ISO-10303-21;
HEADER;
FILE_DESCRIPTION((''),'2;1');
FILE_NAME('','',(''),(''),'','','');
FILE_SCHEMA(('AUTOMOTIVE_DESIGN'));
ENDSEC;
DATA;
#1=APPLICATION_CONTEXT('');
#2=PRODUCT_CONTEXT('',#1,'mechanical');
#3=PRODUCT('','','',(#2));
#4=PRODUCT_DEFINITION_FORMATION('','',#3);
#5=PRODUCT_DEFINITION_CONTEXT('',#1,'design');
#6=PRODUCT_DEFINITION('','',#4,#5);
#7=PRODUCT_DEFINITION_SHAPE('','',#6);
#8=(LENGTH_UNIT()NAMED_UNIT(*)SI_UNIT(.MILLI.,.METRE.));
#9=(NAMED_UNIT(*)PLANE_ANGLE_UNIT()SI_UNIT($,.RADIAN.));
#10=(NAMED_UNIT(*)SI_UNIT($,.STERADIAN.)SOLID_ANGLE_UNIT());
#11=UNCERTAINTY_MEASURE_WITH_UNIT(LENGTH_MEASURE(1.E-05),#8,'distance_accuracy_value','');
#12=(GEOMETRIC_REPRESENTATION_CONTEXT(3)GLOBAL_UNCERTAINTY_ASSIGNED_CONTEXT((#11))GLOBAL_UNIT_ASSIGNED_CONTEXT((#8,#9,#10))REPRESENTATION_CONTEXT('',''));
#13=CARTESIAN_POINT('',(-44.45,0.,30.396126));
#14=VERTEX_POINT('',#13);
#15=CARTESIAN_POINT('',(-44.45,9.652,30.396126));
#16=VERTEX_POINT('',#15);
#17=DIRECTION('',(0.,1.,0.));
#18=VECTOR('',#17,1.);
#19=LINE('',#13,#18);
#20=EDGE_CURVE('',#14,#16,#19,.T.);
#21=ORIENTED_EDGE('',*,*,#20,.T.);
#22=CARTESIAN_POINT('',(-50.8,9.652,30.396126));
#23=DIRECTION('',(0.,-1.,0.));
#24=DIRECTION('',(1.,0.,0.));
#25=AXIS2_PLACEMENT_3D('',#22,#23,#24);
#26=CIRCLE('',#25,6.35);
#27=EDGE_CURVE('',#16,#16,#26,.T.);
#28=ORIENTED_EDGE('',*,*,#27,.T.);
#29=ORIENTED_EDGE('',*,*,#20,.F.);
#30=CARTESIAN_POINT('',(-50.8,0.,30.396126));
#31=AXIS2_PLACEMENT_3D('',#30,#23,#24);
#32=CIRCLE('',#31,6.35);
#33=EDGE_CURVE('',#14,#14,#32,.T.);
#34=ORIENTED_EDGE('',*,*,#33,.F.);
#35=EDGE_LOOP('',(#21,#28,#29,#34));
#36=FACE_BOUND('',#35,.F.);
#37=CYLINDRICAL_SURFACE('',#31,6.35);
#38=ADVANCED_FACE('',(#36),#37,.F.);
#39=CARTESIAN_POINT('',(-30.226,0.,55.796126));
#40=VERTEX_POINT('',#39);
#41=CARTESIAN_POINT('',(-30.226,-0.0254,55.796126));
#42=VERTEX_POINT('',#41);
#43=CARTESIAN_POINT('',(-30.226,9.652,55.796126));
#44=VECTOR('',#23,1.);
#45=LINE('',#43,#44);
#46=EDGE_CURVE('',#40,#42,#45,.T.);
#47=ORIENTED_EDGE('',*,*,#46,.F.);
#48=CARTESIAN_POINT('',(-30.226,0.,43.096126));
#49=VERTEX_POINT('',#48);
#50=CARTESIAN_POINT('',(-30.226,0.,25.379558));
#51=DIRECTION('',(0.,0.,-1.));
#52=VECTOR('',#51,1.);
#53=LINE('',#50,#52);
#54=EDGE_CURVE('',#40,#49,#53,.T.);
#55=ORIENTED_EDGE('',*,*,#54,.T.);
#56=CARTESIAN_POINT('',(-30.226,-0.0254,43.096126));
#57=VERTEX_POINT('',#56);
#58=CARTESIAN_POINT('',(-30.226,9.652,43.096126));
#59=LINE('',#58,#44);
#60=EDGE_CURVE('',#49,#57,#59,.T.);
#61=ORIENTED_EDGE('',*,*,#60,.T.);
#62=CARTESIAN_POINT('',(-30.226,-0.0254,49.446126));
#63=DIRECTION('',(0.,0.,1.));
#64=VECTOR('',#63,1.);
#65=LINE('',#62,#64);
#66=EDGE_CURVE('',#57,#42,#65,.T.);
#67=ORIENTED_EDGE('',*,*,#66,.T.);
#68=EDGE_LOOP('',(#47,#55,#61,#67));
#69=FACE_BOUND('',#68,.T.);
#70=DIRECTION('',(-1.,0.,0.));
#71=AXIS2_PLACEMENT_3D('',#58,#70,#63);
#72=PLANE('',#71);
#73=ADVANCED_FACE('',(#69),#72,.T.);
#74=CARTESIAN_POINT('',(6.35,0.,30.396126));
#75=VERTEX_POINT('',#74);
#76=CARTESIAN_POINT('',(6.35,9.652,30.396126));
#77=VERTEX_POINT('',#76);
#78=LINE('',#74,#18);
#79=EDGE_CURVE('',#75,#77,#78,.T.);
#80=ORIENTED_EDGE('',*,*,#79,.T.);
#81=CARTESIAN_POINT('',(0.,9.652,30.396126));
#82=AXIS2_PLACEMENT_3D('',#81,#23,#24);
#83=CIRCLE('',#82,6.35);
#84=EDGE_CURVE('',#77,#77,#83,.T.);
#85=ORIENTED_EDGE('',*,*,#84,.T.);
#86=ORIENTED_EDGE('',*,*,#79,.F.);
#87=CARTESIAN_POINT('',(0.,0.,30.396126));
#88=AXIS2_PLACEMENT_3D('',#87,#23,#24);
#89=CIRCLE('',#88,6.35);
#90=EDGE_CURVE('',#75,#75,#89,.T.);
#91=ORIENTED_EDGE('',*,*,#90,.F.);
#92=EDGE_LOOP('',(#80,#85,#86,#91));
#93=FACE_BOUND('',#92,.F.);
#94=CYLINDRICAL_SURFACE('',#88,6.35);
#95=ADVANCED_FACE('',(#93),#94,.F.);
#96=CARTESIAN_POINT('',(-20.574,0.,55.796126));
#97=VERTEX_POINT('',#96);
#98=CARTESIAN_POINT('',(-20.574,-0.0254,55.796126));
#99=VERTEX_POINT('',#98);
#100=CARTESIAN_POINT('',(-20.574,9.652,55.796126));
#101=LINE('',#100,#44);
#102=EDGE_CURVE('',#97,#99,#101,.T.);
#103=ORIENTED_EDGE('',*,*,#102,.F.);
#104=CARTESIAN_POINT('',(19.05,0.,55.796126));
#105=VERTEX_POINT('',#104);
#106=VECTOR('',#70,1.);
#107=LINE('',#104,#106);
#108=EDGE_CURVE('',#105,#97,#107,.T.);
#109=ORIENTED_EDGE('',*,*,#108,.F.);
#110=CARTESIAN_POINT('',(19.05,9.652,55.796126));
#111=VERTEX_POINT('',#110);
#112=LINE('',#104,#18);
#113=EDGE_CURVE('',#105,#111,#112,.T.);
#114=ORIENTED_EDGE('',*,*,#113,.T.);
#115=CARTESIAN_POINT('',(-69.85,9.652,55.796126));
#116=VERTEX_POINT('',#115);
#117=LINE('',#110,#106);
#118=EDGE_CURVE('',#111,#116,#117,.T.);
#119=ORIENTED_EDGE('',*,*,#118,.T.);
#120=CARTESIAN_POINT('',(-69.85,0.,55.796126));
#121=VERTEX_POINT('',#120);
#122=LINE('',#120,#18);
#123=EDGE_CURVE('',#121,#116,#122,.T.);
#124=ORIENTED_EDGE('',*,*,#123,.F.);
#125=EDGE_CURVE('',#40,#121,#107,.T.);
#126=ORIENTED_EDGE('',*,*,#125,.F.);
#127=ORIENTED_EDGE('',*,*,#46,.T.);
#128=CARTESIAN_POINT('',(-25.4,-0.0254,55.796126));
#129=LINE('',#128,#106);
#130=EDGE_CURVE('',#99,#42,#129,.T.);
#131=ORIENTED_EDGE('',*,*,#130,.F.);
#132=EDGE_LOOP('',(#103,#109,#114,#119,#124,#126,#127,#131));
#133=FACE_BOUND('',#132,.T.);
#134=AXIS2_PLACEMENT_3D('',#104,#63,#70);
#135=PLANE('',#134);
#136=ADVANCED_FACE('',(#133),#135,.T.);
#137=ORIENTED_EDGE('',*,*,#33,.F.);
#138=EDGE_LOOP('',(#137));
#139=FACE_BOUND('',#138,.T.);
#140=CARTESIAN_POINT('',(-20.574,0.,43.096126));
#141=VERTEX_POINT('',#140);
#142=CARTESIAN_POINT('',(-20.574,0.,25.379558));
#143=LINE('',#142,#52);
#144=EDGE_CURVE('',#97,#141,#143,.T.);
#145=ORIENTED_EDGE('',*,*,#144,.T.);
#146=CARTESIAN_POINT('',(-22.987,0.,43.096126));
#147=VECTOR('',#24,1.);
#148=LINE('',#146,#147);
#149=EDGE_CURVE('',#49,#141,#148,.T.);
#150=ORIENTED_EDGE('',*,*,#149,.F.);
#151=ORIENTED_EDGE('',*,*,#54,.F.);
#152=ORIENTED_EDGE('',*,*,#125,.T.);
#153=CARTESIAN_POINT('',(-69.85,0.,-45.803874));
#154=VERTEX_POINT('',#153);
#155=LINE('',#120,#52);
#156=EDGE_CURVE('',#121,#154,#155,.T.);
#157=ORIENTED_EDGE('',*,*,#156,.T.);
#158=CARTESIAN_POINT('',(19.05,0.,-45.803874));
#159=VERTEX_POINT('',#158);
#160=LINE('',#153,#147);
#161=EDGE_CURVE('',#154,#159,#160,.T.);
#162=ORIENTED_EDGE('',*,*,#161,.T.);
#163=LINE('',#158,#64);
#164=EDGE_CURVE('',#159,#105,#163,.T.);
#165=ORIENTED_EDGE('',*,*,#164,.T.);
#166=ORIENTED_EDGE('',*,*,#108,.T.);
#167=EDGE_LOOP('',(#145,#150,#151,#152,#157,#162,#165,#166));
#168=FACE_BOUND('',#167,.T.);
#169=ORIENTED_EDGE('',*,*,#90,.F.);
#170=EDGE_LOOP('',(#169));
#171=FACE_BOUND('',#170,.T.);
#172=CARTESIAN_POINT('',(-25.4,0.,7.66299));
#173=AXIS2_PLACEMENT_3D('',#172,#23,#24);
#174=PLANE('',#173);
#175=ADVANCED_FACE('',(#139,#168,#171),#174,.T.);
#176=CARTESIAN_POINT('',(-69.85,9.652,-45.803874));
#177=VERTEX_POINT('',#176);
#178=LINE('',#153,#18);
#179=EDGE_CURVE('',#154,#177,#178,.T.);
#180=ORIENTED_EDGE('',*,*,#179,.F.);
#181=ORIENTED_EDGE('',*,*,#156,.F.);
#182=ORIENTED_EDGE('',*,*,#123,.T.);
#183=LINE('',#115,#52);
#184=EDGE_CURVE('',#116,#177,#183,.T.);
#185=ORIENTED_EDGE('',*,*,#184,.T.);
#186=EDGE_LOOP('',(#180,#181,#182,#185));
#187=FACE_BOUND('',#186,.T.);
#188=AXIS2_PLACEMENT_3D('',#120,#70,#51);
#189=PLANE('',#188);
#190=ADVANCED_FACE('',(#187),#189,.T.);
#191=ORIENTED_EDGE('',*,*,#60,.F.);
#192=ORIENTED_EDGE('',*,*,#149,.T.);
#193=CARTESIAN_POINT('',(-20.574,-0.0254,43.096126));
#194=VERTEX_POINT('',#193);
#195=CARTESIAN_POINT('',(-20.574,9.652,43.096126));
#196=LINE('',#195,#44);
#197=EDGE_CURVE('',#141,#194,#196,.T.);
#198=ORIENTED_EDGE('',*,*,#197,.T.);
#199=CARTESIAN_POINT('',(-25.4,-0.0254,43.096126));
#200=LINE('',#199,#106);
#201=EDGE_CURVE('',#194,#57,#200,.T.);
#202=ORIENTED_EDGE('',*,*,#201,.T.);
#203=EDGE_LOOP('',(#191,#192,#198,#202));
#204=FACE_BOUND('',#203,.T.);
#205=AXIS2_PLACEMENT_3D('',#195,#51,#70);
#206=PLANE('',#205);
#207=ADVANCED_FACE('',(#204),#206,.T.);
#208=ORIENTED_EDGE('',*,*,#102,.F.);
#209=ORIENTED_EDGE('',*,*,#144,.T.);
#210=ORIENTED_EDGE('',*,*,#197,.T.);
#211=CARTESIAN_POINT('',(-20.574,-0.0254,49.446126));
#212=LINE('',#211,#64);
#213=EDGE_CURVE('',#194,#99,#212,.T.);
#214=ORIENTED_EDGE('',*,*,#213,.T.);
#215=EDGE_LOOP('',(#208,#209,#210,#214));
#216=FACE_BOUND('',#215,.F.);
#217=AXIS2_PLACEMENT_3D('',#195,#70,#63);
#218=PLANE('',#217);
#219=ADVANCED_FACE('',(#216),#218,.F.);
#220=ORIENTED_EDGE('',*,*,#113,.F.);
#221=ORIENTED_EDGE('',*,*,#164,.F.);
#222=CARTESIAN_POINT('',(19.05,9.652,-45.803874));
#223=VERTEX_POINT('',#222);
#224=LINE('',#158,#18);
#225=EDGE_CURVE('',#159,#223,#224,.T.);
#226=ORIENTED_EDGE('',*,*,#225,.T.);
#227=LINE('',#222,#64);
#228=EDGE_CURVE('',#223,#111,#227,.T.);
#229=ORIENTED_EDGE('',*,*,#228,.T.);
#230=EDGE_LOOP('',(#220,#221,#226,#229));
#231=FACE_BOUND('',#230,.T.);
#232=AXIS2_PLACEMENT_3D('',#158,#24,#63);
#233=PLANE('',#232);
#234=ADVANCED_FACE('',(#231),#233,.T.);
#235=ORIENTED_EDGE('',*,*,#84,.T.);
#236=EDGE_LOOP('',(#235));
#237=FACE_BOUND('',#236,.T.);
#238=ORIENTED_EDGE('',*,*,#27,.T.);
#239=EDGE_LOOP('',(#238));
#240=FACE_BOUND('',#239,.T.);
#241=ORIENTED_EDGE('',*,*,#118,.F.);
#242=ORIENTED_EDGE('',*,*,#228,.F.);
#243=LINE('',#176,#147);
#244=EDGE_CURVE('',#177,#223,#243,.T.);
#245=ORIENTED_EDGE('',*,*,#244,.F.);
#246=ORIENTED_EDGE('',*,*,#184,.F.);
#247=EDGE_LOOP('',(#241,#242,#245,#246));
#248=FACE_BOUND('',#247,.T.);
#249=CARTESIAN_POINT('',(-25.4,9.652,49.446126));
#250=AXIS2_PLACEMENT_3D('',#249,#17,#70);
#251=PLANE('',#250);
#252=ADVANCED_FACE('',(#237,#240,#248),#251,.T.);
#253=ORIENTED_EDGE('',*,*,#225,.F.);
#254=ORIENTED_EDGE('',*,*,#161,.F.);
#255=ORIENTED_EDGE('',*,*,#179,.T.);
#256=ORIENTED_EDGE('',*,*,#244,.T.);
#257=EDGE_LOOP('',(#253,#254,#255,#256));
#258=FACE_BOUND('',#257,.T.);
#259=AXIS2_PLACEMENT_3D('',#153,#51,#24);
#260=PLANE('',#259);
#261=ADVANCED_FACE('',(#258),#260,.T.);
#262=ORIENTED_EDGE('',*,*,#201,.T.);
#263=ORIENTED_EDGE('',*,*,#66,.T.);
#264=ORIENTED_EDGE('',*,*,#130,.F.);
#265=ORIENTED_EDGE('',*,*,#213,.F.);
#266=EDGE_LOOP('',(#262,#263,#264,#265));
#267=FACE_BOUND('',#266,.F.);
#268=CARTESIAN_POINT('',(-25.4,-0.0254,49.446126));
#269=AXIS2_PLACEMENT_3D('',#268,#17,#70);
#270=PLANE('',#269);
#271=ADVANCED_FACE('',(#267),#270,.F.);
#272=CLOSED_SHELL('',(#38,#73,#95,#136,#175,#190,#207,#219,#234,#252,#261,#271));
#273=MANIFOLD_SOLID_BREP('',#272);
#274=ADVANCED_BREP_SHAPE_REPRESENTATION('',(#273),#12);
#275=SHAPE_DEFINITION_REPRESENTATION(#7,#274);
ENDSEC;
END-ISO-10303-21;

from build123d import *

# Parameters (mm, degrees)
F0_R     = 6.35
F1_DEPTH = 9.652
F2_W     = 9.652
F2_H     = 12.7
F3_DEPTH = 9.6774


with BuildPart() as f1:
    # F0 (on Front) → F1 (new body)
    with BuildSketch(Plane.XZ):
        Polygon((-69.85, -45.803874), (19.05, -45.803874), (19.05, 55.796126), (-20.574, 55.796126), (-20.574, 41.805074), (-30.226, 41.805074), (-30.226, 55.796126), (-69.85, 55.796126), align=None)
        with Locations((-50.8, 30.396126)):
            Circle(F0_R, mode=Mode.SUBTRACT)
        with Locations((0, 30.396126)):
            Circle(F0_R, mode=Mode.SUBTRACT)
        Polygon((-20.574, 41.805074), (-20.574, 55.796126), (-25.4, 55.796126), (-30.226, 55.796126), (-30.226, 41.805074), align=None)
    extrude(amount=-F1_DEPTH)

    # F2 (on face) → F3 (join)
    with BuildSketch(Plane(origin=(0, 9.652, 0), x_dir=(-1, 0, 0), z_dir=(0, 1, 0))):
        with Locations((25.4, 49.446126)):
            Rectangle(F2_W, F2_H)
    extrude(amount=-F3_DEPTH)


solid = f1.part
